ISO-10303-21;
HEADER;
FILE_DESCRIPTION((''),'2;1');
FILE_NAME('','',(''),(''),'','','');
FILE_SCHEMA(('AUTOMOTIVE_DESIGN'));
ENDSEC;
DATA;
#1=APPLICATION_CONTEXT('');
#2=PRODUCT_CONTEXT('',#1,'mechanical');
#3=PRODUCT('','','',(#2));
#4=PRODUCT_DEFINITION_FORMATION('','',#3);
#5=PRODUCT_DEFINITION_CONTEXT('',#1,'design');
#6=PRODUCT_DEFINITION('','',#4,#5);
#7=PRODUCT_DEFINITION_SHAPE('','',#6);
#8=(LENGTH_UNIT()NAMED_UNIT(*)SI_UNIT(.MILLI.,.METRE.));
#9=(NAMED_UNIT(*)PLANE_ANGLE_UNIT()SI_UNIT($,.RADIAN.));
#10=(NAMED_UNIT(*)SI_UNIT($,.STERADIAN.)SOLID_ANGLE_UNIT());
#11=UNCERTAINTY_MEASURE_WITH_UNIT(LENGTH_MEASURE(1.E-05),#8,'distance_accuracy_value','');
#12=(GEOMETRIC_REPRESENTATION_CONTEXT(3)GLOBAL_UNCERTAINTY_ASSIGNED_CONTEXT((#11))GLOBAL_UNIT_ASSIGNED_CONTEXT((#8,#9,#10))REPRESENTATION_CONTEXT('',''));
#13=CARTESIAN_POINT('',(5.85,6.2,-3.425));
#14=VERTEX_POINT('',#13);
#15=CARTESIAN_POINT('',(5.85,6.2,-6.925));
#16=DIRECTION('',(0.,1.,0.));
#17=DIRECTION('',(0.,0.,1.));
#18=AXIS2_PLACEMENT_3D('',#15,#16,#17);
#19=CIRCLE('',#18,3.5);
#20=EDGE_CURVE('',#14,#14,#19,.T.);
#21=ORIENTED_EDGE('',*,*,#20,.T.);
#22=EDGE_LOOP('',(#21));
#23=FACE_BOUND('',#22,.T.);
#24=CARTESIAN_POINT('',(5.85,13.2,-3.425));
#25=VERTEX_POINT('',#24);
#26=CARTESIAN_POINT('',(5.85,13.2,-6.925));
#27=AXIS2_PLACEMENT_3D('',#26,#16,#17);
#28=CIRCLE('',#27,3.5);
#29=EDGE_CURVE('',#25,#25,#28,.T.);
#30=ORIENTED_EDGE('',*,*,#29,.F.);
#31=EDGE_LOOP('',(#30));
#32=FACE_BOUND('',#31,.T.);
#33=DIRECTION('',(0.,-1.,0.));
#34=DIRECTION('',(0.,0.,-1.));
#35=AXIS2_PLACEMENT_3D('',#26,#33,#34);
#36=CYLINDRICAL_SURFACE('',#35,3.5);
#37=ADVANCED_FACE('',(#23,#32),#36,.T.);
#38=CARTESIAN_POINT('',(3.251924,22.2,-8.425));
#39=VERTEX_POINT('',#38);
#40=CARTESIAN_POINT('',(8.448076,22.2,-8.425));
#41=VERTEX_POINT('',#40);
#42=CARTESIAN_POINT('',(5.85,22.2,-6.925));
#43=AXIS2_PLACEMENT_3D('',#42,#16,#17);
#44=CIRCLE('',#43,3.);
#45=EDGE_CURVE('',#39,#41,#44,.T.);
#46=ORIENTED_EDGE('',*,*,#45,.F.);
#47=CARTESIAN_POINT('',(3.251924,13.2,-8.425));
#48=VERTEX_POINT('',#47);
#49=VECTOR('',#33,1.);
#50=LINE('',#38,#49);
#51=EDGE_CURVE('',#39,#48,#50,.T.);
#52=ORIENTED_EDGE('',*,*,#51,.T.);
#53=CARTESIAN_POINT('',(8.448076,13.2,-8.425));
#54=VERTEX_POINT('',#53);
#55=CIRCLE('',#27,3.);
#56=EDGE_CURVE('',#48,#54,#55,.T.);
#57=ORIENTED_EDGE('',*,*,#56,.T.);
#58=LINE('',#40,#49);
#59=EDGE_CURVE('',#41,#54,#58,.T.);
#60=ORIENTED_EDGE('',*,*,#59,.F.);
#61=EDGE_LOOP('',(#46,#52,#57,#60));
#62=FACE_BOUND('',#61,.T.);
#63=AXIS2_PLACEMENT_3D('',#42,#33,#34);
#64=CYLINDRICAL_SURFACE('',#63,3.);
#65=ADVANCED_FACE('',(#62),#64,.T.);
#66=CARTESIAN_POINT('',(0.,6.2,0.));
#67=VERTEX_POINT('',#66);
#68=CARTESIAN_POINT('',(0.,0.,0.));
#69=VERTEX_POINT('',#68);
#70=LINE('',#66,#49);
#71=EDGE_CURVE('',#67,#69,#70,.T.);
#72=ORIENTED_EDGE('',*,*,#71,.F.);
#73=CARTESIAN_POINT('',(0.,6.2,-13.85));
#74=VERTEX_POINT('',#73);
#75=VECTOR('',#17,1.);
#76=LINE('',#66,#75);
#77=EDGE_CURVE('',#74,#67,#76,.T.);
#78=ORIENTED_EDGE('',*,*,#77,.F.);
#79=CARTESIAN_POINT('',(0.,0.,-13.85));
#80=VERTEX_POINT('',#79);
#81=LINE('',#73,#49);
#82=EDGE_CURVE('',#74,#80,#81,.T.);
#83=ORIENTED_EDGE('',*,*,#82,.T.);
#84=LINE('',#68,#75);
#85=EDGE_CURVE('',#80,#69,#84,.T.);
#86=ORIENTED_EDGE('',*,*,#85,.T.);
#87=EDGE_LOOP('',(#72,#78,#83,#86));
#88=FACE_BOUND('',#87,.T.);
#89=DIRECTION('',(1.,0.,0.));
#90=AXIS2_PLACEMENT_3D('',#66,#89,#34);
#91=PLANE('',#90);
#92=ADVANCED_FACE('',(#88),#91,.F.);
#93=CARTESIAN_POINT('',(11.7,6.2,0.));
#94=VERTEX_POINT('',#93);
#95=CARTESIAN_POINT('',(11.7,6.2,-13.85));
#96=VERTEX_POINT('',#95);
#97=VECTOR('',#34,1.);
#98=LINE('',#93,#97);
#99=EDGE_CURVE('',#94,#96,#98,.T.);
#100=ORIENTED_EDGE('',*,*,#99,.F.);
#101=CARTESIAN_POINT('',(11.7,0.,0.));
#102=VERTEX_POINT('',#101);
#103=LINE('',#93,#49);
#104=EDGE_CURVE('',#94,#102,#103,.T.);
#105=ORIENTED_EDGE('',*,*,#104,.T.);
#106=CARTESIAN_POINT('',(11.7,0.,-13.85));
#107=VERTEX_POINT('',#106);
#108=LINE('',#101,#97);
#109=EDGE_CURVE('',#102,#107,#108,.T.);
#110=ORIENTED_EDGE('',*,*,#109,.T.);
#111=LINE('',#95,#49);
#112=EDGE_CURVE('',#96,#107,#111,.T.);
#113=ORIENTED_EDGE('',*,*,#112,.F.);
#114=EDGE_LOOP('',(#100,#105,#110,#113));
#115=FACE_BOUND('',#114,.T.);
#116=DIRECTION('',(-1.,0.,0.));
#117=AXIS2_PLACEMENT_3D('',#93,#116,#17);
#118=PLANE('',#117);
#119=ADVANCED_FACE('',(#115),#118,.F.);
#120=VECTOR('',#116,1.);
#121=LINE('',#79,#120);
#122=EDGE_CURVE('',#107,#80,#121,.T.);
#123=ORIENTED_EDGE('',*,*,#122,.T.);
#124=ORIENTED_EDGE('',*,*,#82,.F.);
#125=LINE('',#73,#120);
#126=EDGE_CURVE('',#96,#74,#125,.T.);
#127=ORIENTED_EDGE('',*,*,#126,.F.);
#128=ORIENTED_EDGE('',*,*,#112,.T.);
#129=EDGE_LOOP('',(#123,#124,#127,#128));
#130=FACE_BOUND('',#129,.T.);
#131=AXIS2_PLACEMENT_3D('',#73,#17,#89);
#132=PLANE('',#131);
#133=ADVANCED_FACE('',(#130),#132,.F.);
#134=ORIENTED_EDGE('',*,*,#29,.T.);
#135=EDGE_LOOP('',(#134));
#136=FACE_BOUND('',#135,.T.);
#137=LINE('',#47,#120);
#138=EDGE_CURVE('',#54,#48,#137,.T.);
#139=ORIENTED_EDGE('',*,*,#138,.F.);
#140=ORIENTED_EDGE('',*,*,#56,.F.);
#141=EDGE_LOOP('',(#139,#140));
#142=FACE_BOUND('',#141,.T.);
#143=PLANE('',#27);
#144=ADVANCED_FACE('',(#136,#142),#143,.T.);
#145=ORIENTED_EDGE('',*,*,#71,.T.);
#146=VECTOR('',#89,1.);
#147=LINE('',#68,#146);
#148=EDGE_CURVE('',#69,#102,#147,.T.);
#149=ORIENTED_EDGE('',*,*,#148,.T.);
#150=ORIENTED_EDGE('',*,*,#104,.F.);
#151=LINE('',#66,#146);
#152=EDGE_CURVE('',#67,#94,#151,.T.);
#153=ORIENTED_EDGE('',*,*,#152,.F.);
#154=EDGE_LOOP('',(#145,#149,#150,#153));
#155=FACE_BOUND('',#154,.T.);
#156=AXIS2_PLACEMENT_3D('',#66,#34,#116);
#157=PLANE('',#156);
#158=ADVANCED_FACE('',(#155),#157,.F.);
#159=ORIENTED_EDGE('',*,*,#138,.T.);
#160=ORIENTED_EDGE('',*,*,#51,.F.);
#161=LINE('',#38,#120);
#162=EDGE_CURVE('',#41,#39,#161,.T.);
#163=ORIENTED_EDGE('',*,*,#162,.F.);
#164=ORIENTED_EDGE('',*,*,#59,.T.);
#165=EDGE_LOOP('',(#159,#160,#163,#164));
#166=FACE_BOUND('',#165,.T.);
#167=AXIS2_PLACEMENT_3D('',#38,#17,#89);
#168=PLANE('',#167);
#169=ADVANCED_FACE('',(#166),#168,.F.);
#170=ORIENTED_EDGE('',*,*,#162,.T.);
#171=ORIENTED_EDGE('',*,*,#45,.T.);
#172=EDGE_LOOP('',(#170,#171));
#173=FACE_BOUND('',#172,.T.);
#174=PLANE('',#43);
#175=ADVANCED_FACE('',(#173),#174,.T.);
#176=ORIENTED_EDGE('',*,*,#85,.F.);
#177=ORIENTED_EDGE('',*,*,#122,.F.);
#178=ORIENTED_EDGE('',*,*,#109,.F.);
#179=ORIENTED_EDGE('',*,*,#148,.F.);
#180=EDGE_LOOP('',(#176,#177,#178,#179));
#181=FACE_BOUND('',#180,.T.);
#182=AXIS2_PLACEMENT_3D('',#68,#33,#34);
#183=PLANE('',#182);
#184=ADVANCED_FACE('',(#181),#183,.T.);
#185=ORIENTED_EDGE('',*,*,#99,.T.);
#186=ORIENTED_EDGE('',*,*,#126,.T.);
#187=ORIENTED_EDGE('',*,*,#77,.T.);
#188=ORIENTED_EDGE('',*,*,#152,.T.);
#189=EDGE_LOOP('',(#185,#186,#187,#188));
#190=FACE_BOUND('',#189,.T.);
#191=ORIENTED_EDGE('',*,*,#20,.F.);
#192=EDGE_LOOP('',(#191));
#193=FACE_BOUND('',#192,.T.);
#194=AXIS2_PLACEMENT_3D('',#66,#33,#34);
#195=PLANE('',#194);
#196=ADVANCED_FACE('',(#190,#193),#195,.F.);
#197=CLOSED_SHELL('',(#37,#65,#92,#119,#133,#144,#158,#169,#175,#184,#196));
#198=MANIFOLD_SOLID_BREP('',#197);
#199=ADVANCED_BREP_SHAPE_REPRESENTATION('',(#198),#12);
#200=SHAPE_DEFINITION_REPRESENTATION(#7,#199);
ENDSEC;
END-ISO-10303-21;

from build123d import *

# Parameters (mm, degrees)
SKETCH1_W           = 11.7
SKETCH1_H           = 13.85
BOSS_EXTRUDE1_DEPTH = 6.2
SKETCH2_R           = 3.5
BOSS_EXTRUDE2_DEPTH = 7
BOSS_EXTRUDE3_DEPTH = 9


with BuildPart() as part:
    # Sketch1 → Boss-Extrude1 (new body)
    with BuildSketch(Plane(origin=(0, 0, 0), x_dir=(1, 0, 0), z_dir=(0, 1, 0))):
        with Locations((5.85, 6.925)):
            Rectangle(SKETCH1_W, SKETCH1_H)
    extrude(amount=BOSS_EXTRUDE1_DEPTH)

    # Sketch2 → Boss-Extrude2 (add)
    with BuildSketch(Plane(origin=(0, 6.2, 0), x_dir=(1, 0, 0), z_dir=(0, 1, 0))):
        with Locations((5.85, 6.925)):
            Circle(SKETCH2_R)
    extrude(amount=BOSS_EXTRUDE2_DEPTH)

    # Sketch3 → Boss-Extrude3 (add)
    with BuildSketch(Plane(origin=(0, 13.2, 0), x_dir=(1, 0, 0), z_dir=(0, 1, 0))):
        with BuildLine():
            Line((3.251923789, 8.425), (8.448076211, 8.425))
            ThreePointArc((8.448076211, 8.425), (5.85, 3.925), (3.251923789, 8.425))
        make_face()
    extrude(amount=BOSS_EXTRUDE3_DEPTH)


solid = part.part
